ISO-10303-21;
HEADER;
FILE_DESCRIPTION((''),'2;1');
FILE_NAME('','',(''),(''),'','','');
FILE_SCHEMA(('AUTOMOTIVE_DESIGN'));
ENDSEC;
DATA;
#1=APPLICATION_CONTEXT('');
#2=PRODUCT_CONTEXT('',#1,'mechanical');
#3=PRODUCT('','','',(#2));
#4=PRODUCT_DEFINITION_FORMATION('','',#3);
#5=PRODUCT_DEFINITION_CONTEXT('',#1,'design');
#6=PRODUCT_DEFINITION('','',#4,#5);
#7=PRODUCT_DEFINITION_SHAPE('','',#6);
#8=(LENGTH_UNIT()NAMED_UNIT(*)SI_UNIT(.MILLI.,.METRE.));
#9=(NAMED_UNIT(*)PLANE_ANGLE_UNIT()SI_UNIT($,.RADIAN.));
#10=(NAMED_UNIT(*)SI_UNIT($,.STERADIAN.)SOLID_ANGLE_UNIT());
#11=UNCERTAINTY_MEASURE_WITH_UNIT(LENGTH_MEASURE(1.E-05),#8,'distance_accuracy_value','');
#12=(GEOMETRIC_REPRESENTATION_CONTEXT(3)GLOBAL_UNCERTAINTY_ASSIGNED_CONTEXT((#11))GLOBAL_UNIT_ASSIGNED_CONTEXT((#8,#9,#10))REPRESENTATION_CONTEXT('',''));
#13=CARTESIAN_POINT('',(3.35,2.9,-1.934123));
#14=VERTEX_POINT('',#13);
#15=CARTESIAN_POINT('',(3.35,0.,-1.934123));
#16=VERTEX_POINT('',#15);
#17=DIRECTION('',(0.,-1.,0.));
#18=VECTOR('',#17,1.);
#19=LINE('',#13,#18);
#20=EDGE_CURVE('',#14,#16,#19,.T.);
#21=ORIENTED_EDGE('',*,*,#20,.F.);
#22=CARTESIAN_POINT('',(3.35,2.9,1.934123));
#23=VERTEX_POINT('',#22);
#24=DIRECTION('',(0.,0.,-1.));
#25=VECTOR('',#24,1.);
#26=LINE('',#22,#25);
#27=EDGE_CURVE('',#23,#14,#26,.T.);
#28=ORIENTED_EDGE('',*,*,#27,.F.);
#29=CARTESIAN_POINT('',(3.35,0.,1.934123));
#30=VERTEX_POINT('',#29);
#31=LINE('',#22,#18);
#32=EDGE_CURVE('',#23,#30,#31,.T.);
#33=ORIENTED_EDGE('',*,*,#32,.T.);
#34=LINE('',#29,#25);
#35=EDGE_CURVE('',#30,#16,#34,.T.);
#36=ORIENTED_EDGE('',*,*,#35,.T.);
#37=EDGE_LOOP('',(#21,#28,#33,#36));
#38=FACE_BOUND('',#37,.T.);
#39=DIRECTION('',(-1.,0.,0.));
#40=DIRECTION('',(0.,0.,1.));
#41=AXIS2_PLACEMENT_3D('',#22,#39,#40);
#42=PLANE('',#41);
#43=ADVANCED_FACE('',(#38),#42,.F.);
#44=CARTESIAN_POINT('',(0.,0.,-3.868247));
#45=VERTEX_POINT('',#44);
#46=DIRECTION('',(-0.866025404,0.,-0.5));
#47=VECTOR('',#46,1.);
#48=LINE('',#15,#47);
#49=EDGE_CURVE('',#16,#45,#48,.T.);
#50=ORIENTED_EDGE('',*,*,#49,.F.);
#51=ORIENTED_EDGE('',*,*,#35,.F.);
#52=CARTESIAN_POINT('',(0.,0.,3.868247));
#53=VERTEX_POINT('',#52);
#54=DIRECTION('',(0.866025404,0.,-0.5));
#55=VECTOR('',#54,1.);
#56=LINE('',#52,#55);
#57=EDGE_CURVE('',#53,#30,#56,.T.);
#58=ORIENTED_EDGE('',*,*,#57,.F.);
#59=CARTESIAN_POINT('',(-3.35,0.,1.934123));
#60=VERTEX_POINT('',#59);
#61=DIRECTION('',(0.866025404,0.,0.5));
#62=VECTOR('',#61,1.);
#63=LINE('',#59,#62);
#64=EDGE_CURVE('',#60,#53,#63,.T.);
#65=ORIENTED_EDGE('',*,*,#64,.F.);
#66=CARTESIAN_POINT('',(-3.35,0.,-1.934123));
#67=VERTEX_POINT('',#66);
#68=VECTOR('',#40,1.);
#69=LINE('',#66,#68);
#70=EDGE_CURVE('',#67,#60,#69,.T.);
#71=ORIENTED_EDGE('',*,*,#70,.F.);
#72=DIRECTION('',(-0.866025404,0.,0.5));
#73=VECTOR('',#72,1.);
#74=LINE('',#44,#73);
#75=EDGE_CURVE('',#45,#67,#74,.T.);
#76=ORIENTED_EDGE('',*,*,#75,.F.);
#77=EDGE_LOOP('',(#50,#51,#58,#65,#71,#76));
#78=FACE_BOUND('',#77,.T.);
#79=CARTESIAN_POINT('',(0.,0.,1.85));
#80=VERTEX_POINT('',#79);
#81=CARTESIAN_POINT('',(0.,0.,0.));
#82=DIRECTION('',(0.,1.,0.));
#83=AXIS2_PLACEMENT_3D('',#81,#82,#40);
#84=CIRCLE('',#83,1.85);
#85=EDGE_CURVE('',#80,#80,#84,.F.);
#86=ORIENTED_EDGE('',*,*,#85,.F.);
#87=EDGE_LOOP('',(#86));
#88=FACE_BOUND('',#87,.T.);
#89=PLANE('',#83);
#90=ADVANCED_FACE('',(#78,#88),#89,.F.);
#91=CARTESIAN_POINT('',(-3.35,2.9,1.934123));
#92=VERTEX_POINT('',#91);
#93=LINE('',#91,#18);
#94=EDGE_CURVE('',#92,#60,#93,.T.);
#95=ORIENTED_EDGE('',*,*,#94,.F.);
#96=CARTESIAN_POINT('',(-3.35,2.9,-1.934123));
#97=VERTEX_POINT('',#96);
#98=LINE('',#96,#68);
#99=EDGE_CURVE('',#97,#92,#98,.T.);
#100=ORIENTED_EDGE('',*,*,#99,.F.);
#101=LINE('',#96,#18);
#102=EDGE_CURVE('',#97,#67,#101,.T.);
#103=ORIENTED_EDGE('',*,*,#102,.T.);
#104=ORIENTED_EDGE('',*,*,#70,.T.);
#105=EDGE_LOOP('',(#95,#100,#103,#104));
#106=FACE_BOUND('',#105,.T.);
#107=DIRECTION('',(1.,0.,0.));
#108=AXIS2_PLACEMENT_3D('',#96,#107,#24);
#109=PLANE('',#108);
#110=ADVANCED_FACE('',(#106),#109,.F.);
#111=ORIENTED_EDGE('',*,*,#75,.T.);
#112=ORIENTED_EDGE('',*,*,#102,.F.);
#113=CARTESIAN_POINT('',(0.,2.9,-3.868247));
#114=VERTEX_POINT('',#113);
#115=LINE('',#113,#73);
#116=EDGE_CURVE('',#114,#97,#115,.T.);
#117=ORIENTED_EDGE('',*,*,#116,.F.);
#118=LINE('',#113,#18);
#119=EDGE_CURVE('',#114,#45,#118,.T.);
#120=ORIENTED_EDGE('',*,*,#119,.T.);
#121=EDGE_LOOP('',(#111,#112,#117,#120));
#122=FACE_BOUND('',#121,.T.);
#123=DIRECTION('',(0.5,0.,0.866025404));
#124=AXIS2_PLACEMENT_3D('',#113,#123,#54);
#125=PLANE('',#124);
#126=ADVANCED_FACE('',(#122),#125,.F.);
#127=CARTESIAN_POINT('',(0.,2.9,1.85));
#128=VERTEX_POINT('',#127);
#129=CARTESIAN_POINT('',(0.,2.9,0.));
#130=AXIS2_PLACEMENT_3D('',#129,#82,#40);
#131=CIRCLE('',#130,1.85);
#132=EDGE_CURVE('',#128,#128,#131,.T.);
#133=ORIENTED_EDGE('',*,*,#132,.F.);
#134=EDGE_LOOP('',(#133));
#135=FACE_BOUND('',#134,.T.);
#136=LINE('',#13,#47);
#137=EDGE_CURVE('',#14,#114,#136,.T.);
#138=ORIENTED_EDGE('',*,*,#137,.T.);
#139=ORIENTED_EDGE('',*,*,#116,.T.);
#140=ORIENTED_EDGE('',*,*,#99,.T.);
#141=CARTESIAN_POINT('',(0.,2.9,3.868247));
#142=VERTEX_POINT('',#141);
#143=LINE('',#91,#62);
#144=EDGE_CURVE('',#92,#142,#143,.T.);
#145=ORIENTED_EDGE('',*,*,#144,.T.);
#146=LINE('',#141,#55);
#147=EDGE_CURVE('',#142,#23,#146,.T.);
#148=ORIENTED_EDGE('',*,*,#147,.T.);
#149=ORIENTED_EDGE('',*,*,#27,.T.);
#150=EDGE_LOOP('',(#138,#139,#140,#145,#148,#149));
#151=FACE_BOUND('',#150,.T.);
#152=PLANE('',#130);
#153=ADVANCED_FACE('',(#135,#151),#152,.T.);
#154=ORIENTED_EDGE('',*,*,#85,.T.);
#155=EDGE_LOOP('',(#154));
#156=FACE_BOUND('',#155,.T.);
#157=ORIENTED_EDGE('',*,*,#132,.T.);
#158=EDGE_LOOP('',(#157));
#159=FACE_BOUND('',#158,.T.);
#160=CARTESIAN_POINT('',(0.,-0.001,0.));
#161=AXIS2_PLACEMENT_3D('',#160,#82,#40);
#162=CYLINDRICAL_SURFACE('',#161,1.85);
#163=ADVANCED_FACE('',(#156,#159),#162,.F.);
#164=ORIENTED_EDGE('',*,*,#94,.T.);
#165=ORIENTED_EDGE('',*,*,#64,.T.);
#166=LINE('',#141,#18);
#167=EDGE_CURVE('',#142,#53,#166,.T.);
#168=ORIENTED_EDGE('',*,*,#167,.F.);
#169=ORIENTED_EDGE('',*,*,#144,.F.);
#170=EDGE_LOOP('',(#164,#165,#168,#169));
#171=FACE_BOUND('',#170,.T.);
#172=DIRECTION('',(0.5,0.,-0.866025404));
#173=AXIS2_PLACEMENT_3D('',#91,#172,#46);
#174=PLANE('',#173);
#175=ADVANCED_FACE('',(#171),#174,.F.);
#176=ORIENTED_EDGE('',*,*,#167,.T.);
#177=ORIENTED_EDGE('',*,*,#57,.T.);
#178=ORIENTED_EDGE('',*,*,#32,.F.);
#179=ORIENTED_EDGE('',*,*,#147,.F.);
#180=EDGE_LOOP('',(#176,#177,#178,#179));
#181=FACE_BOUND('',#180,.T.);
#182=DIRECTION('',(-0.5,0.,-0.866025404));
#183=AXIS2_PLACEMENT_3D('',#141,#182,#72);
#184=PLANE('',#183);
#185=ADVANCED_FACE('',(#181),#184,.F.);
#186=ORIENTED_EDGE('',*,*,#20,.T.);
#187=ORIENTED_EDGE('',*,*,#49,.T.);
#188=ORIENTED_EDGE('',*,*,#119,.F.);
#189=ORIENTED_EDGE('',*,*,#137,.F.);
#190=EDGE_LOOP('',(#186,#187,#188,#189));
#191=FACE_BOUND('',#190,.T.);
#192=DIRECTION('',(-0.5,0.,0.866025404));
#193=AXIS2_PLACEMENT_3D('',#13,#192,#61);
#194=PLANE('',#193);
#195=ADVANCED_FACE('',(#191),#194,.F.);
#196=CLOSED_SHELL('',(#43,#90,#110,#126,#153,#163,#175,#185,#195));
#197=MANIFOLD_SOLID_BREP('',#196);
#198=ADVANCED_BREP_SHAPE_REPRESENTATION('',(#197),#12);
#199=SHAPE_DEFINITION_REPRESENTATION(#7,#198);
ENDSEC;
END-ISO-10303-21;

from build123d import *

# Parameters (mm, degrees)
BOSS_EXTRUDE1_DEPTH = 2.9
CUT_EXTRUDE1_REACH  = 4.9
SKETCH2_R           = 1.85


with BuildPart() as part:
    # Sketch1 → Boss-Extrude1 (new body)
    with BuildSketch(Plane(origin=(0, 0, 0), x_dir=(1, 0, 0), z_dir=(0, 1, 0))):
        Polygon((0, 3.868246804), (-3.35, 1.934123402), (-3.35, -1.934123402), (0, -3.868246804), (3.35, -1.934123402), (3.35, 1.934123402), align=None)
    extrude(amount=BOSS_EXTRUDE1_DEPTH)

    # Sketch2 → Cut-Extrude1 (cut, up to next)
    with BuildSketch(Plane(origin=(0, 2.9, 0), x_dir=(1, 0, 0), z_dir=(0, 1, 0)), mode=Mode.PRIVATE) as cut_extrude1_sk1:
        Circle(SKETCH2_R)
    cut_extrude1_tool1 = extrude(cut_extrude1_sk1.sketch, amount=-CUT_EXTRUDE1_REACH, mode=Mode.PRIVATE) & part.part
    add(cut_extrude1_tool1.solids().sort_by_distance((0, 2.9, 0))[0], mode=Mode.SUBTRACT)


solid = part.part
